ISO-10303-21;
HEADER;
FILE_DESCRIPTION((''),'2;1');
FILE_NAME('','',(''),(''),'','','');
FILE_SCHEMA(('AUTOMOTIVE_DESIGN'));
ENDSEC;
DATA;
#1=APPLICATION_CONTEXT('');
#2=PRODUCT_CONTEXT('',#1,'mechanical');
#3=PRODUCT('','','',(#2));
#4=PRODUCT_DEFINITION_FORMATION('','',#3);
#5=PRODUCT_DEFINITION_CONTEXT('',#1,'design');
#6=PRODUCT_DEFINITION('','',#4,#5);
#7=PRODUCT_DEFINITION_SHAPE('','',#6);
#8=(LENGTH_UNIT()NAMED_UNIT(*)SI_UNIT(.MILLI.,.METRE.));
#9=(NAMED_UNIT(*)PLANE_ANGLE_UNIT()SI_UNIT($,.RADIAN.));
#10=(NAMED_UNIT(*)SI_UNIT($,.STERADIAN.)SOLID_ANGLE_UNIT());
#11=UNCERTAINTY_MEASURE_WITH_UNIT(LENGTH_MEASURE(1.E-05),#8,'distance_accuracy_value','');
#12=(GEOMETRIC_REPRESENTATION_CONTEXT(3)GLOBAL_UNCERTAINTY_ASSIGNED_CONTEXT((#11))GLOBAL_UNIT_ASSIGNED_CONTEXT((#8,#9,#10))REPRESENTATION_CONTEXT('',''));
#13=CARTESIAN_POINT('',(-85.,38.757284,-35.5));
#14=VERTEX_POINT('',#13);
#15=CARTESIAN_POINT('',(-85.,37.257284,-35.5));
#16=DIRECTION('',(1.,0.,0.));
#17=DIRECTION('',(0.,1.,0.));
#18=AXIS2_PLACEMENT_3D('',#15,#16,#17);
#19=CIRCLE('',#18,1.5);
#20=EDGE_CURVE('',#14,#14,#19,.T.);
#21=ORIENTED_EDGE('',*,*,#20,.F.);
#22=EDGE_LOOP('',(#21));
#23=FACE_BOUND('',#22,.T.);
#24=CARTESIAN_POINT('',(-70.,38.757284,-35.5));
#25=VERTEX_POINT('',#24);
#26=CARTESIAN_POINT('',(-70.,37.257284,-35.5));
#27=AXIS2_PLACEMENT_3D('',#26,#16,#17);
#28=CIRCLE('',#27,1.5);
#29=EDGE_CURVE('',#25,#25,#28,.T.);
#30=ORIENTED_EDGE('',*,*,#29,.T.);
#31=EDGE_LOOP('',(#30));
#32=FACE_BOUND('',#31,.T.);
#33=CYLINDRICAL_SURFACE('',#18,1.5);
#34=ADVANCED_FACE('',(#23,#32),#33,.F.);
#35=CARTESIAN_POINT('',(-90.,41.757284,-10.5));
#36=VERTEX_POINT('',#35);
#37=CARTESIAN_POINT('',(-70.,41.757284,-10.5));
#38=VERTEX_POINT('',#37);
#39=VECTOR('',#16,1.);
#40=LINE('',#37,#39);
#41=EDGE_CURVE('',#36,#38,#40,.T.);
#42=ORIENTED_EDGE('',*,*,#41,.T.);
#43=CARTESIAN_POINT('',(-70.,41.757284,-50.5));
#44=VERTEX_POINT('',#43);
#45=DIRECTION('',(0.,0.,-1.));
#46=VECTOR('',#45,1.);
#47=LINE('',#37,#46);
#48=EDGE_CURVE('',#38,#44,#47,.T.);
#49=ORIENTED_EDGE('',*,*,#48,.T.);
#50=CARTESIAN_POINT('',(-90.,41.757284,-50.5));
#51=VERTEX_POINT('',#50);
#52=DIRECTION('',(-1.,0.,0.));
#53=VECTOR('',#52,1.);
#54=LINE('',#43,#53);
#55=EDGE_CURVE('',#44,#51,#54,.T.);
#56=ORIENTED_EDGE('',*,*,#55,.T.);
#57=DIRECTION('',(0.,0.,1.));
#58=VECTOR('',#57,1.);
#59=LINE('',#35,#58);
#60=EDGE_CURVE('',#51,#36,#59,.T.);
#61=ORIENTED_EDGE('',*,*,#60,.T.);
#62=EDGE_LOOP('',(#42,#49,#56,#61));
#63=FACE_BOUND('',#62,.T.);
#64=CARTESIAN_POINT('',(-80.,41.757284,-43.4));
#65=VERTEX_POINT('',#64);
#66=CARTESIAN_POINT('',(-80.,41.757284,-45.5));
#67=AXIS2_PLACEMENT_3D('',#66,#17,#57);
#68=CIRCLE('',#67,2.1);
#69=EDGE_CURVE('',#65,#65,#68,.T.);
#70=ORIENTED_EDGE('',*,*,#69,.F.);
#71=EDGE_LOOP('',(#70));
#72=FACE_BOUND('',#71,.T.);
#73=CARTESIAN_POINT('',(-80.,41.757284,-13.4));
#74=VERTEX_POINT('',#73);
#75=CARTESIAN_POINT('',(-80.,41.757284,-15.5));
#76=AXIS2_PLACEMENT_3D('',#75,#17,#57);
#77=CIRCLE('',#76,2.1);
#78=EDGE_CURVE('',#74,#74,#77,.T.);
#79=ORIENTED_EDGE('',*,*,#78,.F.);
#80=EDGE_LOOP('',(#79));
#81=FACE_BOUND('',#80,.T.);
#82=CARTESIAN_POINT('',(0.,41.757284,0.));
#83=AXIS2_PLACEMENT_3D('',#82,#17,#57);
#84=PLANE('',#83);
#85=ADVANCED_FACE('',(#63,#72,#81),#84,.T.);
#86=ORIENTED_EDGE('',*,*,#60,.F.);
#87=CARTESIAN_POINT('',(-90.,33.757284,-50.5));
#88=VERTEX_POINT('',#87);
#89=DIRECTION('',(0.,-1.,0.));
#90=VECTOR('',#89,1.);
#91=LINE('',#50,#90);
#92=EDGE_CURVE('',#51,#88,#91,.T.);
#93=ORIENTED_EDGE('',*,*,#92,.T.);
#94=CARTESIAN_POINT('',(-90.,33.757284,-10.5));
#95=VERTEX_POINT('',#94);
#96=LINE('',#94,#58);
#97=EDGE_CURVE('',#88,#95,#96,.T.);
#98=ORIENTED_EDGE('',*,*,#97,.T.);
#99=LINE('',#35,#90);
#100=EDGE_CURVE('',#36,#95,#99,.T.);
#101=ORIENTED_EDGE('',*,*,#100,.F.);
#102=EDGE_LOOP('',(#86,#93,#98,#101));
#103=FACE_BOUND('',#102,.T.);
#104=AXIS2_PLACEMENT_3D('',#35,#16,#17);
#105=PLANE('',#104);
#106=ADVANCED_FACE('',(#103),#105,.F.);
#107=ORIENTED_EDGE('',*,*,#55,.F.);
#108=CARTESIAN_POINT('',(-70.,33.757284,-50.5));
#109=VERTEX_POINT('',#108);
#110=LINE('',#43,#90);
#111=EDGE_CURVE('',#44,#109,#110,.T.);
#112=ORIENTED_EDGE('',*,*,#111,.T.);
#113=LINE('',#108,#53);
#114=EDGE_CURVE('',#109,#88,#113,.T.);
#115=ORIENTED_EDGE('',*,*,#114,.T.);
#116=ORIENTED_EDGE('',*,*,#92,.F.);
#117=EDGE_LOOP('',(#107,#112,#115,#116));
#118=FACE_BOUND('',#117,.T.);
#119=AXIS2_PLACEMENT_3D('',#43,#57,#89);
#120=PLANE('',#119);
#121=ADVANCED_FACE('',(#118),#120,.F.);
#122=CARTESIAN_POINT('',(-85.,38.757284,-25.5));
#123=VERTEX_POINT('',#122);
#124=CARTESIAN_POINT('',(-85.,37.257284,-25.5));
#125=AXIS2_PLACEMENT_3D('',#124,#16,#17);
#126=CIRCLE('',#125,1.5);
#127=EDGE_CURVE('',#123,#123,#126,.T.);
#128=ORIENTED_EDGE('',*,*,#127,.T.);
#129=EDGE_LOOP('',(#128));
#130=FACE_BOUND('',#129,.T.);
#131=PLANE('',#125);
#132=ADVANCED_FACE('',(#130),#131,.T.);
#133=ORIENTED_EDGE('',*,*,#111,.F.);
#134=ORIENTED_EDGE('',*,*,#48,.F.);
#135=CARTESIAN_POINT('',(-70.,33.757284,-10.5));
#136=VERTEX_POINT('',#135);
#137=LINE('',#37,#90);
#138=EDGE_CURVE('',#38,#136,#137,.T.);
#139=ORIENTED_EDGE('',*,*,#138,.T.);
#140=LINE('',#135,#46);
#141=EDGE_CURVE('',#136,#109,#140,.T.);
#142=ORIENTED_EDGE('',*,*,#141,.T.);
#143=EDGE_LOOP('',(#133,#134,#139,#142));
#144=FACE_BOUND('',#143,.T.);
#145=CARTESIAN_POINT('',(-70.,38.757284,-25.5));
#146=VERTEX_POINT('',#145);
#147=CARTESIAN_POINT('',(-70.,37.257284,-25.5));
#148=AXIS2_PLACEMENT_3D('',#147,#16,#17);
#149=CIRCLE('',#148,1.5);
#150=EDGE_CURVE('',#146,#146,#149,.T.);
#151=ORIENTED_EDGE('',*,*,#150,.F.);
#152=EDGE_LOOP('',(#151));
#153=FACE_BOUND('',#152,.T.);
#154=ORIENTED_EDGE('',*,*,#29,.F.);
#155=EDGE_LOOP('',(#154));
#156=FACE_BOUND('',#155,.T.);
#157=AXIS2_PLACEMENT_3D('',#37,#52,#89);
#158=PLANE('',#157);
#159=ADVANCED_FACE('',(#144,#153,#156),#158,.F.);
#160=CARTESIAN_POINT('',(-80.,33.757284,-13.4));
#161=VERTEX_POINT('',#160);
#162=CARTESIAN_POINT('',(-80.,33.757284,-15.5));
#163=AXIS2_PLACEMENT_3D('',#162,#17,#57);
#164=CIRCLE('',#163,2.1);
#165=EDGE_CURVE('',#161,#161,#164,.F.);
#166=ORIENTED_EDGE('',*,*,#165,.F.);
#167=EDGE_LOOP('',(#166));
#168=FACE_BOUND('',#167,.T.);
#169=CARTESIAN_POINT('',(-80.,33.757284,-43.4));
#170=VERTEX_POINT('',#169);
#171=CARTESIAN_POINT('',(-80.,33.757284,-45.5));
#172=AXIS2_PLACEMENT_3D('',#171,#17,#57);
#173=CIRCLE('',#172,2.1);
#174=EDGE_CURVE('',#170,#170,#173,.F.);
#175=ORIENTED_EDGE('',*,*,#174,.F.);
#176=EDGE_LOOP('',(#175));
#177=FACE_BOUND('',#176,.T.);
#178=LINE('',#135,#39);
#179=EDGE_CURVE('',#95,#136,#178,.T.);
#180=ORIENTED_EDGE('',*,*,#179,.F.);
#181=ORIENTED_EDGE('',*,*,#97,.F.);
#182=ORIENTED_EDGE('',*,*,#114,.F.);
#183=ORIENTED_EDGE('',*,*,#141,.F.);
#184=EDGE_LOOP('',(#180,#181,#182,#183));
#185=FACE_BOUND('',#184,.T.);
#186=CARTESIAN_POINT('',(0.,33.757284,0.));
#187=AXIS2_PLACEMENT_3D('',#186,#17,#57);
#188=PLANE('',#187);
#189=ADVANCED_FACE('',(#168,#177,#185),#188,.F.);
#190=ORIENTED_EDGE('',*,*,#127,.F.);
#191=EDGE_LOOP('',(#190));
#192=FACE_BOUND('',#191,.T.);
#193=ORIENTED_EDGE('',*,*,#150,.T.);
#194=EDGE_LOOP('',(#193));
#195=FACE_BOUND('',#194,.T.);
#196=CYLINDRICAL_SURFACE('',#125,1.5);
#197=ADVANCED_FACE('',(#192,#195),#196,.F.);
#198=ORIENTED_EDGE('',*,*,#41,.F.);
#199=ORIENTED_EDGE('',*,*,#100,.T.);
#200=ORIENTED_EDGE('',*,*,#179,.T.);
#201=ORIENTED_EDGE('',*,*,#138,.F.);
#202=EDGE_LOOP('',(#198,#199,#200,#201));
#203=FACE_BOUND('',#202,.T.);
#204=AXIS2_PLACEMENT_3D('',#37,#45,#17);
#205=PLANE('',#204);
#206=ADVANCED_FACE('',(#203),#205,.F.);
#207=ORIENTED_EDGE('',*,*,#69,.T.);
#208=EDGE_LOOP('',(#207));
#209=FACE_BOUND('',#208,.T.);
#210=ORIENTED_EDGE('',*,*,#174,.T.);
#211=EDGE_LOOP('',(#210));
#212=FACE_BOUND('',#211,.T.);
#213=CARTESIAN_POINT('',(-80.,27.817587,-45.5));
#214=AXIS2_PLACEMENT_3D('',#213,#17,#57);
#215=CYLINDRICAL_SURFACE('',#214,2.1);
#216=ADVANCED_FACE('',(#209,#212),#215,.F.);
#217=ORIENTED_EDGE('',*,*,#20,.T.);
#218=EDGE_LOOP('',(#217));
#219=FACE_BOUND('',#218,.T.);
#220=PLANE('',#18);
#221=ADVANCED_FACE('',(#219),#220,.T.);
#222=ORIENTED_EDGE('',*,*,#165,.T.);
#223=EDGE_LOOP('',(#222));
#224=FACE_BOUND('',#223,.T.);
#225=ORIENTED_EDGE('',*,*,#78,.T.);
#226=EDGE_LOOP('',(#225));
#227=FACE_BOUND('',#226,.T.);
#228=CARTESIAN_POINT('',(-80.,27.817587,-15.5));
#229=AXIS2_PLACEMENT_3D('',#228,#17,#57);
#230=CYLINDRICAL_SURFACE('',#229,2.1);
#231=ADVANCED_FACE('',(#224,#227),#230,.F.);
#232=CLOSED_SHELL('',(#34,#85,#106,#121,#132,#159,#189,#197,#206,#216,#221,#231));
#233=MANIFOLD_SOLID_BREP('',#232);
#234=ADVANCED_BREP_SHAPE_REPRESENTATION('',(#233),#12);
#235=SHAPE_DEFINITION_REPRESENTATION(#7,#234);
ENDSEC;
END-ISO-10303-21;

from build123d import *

# Parameters (mm, degrees)
SKETCH2_W           = 20
SKETCH2_H           = 40
BOSS_EXTRUDE2_DEPTH = 8
SKETCH3_R           = 2.1
CUT_EXTRUDE1_DEPTH  = 8
SKETCH4_R           = 1.5
CUT_EXTRUDE2_DEPTH  = 15


with BuildPart() as part:
    # Sketch2 → Boss-Extrude2 (new body)
    with BuildSketch(Plane(origin=(0, 33.757283518, 0), x_dir=(1, 0, 0), z_dir=(0, 1, 0))):
        with Locations((-80, 30.5)):
            Rectangle(SKETCH2_W, SKETCH2_H)
    extrude(amount=BOSS_EXTRUDE2_DEPTH)

    # Sketch3 → Cut-Extrude1 (cut)
    with BuildSketch(Plane(origin=(0, 41.757283518, 0), x_dir=(1, 0, 0), z_dir=(0, 1, 0))):
        with Locations(Location((-80, 15.5, 0), (0, 0, 270))):
            Circle(SKETCH3_R)
        with Locations(Location((-80, 45.5, 0), (0, 0, 270))):
            Circle(SKETCH3_R)
    extrude(amount=-CUT_EXTRUDE1_DEPTH, mode=Mode.SUBTRACT)

    # Sketch4 → Cut-Extrude2 (cut)
    with BuildSketch(Plane(origin=(-70, 0, 0), x_dir=(0, 0, -1), z_dir=(1, 0, 0))):
        with Locations(Location((25.5, 37.257283518, 0), (0, 0, 90))):
            Circle(SKETCH4_R)
        with Locations(Location((35.5, 37.257283518, 0), (0, 0, 90))):
            Circle(SKETCH4_R)
    extrude(amount=-CUT_EXTRUDE2_DEPTH, mode=Mode.SUBTRACT)


solid = part.part
